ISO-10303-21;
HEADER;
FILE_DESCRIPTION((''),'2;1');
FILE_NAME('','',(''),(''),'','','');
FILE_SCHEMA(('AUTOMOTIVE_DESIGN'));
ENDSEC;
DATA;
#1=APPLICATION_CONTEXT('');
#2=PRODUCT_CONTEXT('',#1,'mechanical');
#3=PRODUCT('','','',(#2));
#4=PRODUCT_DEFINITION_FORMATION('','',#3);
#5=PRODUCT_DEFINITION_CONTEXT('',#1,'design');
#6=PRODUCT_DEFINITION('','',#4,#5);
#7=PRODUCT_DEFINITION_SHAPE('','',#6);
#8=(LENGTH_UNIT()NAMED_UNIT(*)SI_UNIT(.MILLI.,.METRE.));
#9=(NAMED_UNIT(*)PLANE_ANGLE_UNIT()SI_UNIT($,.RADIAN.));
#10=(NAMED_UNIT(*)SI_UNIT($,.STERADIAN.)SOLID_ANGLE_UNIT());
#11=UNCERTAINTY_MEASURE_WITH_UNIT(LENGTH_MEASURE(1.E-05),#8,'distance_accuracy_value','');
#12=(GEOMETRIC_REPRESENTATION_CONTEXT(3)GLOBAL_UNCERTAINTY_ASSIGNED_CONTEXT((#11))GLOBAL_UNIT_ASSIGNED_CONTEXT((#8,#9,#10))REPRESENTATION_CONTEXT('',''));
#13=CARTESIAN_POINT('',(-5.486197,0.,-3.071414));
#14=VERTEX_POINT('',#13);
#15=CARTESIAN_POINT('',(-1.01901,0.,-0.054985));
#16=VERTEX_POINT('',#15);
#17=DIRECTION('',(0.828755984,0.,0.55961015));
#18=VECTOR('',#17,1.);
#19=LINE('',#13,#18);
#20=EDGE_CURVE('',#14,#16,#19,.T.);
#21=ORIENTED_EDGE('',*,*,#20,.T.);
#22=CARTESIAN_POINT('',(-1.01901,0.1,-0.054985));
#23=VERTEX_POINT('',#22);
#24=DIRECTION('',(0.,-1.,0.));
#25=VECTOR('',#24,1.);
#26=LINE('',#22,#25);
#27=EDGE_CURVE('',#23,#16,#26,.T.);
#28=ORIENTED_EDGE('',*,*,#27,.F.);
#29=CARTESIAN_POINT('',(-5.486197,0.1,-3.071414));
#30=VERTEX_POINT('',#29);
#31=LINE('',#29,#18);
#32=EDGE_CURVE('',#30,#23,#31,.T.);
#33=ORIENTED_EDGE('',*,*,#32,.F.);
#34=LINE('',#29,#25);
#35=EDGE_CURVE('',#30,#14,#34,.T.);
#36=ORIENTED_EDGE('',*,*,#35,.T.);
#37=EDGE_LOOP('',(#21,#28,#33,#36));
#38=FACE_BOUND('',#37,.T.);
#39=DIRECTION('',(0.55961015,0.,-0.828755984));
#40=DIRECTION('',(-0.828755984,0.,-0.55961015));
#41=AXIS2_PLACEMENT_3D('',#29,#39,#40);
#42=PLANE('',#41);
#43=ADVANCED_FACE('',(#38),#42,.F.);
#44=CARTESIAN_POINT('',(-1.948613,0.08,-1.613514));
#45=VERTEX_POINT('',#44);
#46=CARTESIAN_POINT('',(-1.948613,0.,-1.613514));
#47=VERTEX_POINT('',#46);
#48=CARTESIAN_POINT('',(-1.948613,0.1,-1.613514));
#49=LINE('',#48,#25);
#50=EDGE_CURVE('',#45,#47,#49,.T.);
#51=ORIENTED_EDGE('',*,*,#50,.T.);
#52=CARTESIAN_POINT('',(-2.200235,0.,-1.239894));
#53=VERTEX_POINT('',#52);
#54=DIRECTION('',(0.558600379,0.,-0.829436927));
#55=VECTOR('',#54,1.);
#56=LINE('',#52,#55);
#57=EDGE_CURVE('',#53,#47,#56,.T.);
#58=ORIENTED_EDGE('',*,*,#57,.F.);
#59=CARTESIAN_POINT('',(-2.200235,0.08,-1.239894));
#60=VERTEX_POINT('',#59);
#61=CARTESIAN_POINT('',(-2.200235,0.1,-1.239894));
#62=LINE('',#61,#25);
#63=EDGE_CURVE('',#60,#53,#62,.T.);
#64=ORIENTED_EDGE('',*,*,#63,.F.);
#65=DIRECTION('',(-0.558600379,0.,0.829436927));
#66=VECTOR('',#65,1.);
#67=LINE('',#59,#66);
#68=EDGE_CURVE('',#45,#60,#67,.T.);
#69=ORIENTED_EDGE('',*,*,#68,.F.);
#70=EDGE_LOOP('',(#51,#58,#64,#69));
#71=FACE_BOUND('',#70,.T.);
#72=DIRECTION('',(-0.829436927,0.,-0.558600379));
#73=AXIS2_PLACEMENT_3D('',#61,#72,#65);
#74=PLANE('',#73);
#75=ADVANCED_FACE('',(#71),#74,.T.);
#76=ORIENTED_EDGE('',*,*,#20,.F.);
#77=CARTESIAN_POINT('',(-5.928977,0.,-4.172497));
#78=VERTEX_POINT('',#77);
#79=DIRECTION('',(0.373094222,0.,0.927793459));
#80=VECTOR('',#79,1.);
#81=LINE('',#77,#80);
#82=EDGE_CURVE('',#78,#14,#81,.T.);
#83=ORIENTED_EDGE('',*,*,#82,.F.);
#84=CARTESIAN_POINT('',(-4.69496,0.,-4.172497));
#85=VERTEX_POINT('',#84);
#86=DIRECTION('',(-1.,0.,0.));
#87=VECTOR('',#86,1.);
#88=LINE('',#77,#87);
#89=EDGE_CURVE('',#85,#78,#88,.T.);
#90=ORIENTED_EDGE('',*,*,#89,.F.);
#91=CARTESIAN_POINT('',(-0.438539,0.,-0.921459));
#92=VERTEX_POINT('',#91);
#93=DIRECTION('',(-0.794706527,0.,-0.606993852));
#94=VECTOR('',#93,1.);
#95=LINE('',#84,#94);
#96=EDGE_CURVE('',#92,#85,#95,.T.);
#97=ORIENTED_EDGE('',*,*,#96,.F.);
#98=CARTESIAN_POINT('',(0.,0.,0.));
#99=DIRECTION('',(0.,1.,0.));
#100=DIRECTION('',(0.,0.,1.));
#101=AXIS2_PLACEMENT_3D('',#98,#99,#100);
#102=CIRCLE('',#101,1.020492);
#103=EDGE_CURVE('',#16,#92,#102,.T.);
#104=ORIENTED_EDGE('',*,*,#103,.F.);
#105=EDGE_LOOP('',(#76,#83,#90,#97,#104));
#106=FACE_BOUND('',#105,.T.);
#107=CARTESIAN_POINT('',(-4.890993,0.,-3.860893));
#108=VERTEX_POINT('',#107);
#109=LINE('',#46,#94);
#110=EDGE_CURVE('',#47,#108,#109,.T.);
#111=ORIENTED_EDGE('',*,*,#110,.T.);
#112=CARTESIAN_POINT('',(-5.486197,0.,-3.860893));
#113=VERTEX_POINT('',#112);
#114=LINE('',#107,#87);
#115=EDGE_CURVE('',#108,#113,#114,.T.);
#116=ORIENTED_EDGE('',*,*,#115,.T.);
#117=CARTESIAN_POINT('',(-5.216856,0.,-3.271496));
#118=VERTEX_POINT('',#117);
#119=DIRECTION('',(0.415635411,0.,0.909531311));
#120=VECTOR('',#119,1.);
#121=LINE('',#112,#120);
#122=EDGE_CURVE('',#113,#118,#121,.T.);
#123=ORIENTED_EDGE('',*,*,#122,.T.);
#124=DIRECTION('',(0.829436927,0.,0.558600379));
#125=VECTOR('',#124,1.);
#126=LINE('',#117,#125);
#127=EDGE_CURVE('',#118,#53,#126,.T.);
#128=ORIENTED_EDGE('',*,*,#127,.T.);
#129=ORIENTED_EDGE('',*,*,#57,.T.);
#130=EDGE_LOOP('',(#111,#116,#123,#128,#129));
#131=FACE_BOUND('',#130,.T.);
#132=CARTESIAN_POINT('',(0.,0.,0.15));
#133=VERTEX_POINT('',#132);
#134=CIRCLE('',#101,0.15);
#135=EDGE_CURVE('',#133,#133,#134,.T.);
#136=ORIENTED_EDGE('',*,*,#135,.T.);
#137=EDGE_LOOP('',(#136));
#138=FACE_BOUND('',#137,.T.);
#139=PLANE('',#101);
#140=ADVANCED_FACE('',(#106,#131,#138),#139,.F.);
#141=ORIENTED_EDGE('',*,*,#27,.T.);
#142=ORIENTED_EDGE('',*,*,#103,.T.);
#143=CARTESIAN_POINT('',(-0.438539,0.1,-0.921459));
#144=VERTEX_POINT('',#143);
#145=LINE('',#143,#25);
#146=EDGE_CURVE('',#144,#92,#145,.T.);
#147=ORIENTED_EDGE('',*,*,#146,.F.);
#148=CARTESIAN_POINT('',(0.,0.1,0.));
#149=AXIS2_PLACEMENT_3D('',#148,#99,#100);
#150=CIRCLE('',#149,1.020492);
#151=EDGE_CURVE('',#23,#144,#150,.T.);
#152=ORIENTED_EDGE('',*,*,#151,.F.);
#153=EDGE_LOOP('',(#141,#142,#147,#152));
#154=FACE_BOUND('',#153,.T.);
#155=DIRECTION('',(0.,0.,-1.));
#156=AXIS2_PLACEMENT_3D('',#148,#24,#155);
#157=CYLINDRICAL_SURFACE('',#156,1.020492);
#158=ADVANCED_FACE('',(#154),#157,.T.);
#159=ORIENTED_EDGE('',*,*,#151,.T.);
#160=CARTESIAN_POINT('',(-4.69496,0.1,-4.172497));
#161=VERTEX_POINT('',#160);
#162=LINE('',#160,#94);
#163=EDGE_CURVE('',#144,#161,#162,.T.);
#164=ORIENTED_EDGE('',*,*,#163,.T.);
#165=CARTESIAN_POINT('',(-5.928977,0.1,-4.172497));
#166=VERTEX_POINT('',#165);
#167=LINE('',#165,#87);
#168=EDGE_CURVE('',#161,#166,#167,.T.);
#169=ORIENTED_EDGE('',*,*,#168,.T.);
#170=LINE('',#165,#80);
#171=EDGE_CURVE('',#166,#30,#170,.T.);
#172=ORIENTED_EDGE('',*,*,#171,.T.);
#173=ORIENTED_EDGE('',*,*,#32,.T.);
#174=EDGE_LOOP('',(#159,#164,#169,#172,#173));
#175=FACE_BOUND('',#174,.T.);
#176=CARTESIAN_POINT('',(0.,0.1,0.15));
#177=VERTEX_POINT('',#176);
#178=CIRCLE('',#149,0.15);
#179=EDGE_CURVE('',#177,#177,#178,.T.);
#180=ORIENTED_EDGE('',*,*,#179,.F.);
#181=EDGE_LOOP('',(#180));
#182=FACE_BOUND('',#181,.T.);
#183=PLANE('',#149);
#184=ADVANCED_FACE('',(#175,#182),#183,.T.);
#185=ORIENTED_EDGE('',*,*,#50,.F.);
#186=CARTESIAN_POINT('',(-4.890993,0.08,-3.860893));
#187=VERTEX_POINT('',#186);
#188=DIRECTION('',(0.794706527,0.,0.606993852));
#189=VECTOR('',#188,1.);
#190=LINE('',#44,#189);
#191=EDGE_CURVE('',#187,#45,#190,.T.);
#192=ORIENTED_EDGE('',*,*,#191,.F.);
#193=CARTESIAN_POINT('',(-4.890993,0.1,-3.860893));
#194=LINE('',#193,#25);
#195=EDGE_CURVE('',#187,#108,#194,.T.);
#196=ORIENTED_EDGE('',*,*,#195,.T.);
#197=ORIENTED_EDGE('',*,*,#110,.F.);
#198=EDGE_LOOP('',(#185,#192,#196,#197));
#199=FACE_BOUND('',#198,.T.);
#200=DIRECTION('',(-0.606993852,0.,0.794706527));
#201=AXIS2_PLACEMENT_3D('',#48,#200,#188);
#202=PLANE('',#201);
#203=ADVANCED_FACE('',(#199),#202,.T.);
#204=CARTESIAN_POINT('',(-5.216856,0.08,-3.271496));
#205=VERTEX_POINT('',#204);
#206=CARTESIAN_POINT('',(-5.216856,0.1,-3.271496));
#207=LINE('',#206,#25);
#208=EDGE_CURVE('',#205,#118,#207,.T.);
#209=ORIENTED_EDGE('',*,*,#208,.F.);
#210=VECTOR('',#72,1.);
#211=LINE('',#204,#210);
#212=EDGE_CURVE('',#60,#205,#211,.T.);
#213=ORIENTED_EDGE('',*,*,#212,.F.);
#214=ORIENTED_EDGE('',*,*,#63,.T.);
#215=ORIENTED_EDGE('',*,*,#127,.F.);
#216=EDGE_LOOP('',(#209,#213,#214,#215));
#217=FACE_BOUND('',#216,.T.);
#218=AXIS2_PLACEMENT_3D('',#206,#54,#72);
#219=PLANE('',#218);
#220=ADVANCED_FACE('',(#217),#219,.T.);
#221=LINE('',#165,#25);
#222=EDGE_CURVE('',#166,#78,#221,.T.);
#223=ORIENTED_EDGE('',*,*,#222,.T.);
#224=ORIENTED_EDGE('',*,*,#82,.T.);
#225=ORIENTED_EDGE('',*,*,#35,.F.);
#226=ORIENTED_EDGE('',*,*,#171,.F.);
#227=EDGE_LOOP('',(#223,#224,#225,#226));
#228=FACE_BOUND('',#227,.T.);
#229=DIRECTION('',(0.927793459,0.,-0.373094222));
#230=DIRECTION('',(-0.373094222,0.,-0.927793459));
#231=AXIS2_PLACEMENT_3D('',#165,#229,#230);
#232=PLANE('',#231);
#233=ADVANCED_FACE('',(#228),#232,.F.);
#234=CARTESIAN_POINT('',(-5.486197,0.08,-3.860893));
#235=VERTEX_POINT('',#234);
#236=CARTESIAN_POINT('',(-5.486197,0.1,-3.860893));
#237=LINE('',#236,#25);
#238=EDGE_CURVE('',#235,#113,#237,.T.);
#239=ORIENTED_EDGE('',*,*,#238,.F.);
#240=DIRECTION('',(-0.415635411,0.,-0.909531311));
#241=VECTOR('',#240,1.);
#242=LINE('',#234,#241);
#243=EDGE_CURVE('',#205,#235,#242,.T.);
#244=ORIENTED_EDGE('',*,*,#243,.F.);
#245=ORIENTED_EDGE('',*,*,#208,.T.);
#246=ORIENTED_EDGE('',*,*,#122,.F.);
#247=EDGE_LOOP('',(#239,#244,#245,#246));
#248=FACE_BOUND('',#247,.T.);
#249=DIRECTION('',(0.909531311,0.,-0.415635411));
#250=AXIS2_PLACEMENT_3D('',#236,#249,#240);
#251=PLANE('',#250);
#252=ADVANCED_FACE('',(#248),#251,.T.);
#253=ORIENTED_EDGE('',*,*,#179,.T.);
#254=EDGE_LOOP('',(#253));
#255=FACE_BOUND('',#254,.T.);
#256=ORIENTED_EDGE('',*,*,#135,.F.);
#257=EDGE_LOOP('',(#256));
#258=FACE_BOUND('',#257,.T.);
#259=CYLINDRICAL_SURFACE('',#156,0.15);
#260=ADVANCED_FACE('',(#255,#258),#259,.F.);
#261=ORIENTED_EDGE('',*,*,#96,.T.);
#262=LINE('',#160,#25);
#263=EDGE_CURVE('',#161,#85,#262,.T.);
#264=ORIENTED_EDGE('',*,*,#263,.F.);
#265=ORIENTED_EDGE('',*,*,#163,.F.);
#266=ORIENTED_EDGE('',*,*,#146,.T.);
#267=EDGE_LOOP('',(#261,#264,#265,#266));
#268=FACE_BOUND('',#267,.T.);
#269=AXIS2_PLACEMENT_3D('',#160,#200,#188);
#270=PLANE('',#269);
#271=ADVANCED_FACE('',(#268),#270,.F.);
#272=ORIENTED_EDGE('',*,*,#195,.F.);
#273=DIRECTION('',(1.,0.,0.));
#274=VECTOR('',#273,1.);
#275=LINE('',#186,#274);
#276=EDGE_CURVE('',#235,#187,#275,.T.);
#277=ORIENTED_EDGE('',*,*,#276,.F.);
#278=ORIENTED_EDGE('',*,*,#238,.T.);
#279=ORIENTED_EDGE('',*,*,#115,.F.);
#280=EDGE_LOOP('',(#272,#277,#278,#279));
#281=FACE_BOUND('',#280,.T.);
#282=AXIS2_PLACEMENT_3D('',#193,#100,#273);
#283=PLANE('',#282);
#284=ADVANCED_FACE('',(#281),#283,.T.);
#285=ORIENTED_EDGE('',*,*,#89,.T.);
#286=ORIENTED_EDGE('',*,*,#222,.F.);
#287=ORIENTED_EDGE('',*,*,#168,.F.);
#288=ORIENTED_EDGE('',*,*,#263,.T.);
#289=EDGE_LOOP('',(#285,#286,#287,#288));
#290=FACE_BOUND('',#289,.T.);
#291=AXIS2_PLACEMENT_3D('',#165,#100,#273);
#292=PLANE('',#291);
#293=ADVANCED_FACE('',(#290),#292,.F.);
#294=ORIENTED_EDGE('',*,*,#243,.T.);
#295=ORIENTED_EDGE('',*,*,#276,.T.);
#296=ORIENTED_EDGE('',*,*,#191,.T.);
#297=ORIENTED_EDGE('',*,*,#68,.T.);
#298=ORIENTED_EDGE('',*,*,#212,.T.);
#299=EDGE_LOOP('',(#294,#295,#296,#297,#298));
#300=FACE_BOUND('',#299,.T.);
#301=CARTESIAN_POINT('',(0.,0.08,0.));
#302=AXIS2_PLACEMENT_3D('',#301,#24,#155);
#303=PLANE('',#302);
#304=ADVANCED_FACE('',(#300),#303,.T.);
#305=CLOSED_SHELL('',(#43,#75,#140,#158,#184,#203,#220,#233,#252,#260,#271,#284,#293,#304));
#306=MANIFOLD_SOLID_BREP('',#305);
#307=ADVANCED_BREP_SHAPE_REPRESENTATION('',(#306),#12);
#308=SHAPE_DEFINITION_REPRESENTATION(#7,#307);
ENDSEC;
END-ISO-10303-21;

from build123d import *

# Parameters (mm, degrees)
SKETCH1_R           = 0.15
BOSS_EXTRUDE1_DEPTH = 0.1
BOSS_EXTRUDE3_DEPTH = 0.02


with BuildPart() as part:
    # Sketch1 → Boss-Extrude1 (new body)
    with BuildSketch(Plane(origin=(0, 0, 0), x_dir=(1, 0, 0), z_dir=(0, 1, 0))):
        with BuildLine():
            Line((-5.928976917, 4.17249718), (-5.486197441, 3.071413653))
            Line((-5.486197441, 3.071413653), (-1.019009626, 0.054984583))
            ThreePointArc((-1.019009626, 0.054984583), (0.847824795, -0.567976267), (-0.438539423, 0.921459222))
            Line((-0.438539423, 0.921459222), (-4.694959938, 4.17249718))
            Line((-4.694959938, 4.17249718), (-5.928976917, 4.17249718))
        make_face()
        with Locations(Location((0, 0, 0), (0, 0, 270))):
            Circle(SKETCH1_R, mode=Mode.SUBTRACT)
        Polygon((-5.486197441, 3.860892642), (-5.216856249, 3.271495682), (-2.200234898, 1.239893548), (-1.948613115, 1.613513771), (-4.890993257, 3.860892642), align=None, mode=Mode.SUBTRACT)
    extrude(amount=BOSS_EXTRUDE1_DEPTH)

    # Sketch3 → Boss-Extrude3 (add)
    with BuildSketch(Plane(origin=(0, 0.1, 0), x_dir=(1, 0, 0), z_dir=(0, 1, 0))):
        Polygon((-5.669795802, 4.060835761), (-4.60725372, 3.952218978), (-1.551568417, 1.529417339), (-2.04496188, 0.980620035), (-5.388394983, 3.169960387), align=None)
    extrude(amount=-BOSS_EXTRUDE3_DEPTH)


solid = part.part
